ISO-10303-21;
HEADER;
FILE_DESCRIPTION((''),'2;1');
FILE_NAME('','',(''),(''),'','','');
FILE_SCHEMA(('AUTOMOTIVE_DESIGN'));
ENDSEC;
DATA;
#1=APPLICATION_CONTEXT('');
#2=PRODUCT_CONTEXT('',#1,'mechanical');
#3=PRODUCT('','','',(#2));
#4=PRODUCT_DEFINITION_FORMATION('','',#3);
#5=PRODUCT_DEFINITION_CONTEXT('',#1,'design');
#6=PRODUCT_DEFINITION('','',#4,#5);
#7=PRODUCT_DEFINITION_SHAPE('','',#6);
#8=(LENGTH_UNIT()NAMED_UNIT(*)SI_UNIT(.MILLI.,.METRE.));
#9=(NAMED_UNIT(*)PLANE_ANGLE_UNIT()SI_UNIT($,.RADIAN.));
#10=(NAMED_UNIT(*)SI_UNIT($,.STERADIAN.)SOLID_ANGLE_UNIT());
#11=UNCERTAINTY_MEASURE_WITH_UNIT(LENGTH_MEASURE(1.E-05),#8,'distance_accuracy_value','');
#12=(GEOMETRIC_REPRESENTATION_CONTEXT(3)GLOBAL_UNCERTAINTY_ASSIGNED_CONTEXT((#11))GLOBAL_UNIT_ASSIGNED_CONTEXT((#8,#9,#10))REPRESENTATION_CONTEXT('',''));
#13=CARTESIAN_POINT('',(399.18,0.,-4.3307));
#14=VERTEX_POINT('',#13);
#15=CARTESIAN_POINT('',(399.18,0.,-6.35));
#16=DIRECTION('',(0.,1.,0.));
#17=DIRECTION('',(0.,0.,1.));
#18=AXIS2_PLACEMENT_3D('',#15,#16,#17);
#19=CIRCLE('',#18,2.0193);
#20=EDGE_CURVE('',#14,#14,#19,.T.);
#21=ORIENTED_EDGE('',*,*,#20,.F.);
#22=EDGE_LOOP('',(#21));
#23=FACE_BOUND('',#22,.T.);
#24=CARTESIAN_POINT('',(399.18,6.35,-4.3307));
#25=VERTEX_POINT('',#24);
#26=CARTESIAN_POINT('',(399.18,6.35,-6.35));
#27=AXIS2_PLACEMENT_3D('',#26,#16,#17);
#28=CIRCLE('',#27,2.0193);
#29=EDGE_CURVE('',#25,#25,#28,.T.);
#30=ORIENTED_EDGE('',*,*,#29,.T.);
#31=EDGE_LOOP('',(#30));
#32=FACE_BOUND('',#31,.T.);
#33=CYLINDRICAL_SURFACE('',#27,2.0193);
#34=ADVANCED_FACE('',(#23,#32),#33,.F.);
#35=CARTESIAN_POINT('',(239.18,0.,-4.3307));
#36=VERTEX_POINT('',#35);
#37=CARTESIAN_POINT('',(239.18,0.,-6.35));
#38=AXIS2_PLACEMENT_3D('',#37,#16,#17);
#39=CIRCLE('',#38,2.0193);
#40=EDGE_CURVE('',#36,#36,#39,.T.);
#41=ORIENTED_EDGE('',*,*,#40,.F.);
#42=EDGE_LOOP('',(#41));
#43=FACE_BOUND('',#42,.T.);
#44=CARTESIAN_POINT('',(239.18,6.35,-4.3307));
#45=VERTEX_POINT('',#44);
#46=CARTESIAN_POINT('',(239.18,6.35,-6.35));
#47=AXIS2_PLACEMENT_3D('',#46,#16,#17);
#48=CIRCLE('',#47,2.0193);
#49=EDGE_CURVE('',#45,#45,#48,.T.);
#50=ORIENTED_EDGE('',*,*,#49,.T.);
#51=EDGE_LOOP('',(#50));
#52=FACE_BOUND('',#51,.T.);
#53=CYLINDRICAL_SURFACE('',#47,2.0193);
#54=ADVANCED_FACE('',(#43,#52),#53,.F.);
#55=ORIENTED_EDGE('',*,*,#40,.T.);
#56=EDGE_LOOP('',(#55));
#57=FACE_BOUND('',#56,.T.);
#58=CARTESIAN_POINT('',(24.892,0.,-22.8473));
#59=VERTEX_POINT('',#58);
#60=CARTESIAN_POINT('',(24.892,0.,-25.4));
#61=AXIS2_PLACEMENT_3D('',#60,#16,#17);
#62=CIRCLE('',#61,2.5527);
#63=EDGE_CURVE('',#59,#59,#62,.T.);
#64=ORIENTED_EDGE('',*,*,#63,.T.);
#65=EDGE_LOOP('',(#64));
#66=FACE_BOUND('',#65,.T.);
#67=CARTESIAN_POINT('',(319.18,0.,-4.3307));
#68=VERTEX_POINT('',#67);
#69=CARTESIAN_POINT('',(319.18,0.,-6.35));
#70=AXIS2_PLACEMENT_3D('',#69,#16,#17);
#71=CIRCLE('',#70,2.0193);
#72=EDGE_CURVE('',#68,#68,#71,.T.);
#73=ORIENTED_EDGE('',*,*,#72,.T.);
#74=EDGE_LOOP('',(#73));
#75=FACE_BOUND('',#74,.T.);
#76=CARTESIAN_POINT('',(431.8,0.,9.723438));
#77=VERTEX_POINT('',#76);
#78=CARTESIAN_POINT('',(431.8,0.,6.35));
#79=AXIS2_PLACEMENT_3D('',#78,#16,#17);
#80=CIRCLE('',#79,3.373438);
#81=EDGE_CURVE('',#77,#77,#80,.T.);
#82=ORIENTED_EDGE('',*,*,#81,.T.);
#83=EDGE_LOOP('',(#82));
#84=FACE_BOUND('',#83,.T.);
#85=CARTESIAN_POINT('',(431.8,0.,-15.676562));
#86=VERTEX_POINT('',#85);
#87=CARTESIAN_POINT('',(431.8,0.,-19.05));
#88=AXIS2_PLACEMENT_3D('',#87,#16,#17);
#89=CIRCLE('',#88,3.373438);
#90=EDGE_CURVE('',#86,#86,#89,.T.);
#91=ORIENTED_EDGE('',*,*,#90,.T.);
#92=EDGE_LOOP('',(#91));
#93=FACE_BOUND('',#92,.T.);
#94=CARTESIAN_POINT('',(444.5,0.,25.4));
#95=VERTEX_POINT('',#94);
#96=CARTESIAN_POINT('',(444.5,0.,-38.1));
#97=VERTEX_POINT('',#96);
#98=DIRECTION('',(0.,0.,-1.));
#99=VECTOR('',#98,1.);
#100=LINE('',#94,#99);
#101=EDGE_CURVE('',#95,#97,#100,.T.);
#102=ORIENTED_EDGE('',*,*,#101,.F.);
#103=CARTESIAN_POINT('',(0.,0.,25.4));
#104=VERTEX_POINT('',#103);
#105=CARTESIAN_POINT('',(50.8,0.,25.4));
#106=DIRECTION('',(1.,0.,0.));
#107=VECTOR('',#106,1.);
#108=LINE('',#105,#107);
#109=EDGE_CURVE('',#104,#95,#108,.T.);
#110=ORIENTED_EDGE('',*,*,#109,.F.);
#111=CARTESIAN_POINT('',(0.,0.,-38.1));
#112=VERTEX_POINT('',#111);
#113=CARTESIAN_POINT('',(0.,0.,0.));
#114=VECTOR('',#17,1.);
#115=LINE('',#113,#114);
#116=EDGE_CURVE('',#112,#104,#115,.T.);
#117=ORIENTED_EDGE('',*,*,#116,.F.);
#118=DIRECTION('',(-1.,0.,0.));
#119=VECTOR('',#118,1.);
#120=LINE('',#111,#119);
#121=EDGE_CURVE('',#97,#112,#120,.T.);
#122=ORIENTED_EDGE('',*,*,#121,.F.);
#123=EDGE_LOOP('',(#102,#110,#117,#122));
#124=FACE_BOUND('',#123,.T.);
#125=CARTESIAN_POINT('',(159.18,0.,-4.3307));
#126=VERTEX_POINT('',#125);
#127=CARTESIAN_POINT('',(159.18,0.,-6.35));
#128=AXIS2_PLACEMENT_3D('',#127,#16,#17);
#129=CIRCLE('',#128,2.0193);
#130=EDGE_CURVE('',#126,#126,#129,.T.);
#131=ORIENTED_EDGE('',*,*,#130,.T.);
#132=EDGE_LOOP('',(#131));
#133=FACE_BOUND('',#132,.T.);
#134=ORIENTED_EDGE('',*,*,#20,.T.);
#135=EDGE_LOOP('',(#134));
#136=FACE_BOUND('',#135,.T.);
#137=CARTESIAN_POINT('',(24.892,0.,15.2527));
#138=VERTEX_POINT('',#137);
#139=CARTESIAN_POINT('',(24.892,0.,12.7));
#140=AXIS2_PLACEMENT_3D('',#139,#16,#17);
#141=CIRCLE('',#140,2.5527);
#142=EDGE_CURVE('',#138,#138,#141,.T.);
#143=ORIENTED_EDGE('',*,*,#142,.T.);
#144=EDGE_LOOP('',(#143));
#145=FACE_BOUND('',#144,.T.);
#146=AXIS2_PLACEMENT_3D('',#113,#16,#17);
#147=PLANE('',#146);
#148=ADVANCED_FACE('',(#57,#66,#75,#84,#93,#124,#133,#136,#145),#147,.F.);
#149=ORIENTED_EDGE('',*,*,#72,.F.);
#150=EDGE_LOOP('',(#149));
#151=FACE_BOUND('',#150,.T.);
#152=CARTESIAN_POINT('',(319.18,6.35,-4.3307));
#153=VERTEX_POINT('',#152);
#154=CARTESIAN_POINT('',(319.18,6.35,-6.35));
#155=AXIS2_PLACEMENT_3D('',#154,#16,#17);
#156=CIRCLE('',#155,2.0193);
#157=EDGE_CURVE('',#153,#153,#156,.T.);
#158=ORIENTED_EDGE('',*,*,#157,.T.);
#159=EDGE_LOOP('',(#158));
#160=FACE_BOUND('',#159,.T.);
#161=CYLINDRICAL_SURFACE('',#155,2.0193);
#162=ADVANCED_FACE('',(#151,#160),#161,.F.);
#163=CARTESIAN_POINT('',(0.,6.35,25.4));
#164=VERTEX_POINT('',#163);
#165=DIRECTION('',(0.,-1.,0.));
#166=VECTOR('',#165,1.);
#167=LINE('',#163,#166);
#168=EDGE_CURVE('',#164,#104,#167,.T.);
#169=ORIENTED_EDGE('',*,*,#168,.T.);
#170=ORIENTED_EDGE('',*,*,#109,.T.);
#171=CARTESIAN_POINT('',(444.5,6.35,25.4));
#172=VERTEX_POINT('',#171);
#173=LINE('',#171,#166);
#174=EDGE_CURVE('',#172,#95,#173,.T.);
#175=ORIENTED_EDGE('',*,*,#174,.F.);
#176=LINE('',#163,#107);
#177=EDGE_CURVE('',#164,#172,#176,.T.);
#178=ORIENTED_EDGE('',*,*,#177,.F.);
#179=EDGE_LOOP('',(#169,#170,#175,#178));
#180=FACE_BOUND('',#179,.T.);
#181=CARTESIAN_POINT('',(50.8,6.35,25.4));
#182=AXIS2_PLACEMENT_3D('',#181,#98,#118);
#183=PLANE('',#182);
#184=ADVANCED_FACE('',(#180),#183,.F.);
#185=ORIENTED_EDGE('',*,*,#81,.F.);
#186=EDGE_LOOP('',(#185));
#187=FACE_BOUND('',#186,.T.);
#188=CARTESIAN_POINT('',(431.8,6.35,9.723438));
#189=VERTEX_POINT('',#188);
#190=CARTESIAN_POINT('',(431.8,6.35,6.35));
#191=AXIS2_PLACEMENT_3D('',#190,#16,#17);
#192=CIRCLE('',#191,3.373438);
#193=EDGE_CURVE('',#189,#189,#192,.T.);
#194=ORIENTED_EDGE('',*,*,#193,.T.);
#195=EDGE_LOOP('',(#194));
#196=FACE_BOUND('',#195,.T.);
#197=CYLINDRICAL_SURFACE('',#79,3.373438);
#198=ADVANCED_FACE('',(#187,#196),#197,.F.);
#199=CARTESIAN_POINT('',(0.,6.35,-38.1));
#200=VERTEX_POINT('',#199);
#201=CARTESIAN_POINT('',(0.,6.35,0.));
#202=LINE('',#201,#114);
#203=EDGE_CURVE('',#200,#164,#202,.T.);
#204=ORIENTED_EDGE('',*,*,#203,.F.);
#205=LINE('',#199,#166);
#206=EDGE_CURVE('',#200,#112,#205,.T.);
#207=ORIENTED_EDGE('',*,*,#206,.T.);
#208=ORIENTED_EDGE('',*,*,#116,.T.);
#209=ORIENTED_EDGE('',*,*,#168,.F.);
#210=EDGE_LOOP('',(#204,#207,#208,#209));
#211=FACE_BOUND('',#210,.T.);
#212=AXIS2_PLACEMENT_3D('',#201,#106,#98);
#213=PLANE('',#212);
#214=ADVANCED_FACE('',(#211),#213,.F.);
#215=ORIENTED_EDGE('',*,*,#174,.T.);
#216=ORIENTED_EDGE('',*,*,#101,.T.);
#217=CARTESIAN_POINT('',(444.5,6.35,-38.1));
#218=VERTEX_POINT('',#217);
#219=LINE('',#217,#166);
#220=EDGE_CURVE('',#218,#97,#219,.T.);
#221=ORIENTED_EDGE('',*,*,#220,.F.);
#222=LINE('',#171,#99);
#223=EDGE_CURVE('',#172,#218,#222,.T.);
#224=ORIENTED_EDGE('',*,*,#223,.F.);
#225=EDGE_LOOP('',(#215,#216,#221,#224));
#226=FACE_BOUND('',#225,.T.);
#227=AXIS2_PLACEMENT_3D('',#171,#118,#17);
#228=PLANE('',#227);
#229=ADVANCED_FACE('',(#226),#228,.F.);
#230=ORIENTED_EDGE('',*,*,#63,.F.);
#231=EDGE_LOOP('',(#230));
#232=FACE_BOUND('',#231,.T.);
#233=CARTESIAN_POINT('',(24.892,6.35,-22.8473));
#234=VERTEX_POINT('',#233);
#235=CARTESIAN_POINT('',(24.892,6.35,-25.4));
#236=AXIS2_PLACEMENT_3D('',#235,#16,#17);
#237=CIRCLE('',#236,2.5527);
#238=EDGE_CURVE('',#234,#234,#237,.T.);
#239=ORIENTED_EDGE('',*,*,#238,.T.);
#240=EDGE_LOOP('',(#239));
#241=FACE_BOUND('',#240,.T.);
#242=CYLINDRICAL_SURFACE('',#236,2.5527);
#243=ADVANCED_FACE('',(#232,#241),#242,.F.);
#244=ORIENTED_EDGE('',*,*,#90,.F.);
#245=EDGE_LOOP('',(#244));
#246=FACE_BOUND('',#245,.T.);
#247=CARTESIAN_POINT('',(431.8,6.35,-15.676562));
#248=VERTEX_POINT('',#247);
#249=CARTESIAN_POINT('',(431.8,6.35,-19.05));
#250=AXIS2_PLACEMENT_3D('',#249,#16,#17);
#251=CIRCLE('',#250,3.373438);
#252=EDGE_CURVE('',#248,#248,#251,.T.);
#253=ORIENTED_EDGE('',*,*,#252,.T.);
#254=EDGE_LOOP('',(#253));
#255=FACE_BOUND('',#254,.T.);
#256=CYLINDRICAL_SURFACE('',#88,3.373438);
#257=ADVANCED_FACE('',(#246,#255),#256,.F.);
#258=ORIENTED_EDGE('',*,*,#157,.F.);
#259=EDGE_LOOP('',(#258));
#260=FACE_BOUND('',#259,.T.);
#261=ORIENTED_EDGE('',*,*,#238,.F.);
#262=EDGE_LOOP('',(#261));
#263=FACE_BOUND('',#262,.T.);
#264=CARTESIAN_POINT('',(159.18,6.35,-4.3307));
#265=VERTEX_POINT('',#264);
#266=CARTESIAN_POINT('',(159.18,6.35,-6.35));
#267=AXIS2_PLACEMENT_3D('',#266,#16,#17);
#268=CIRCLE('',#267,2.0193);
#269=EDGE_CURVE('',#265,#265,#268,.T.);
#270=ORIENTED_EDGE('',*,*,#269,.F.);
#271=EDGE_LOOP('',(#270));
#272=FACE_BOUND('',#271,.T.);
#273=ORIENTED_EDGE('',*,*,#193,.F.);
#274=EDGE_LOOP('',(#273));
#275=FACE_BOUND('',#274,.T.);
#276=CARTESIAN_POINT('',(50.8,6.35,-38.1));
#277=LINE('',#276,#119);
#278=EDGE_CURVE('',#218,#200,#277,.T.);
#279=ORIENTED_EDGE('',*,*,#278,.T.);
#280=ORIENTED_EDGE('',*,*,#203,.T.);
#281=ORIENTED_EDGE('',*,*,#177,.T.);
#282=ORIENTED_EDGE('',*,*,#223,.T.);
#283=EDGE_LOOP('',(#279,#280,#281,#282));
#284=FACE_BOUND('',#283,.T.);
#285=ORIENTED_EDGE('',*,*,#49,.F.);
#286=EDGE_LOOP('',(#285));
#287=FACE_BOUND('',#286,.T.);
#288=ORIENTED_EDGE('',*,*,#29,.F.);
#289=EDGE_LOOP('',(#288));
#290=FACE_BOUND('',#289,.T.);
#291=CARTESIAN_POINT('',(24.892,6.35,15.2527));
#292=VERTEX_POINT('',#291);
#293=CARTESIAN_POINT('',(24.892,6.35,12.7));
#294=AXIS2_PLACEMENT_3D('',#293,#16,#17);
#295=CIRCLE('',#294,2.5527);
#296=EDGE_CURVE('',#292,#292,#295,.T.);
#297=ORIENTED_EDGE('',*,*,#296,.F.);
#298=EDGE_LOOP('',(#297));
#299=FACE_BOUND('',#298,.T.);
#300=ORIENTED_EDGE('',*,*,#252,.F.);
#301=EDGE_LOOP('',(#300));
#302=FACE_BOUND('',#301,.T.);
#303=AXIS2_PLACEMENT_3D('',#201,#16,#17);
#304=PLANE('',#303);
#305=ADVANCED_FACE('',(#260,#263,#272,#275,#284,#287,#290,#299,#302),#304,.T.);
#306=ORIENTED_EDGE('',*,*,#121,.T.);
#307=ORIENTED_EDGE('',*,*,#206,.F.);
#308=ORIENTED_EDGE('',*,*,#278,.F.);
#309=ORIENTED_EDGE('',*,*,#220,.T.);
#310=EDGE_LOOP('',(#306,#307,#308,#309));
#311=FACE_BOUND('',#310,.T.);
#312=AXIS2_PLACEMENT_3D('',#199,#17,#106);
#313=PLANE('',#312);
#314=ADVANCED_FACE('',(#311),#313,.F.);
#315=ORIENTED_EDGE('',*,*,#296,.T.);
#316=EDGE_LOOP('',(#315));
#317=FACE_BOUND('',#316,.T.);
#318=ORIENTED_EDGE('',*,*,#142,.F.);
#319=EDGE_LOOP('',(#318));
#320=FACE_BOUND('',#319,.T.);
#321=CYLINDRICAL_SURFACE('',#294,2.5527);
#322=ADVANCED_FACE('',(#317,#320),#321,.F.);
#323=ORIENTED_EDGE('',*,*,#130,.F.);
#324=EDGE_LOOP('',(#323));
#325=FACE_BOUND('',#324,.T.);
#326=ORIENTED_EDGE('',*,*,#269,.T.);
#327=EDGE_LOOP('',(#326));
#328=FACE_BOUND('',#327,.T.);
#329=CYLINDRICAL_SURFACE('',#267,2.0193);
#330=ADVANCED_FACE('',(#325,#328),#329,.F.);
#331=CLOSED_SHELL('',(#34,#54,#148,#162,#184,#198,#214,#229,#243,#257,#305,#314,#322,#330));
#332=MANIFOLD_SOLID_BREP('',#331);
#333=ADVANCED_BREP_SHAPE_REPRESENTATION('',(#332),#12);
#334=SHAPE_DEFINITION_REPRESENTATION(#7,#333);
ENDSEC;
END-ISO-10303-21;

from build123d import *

# Parameters (mm, degrees)
BOSS_EXTRUDE1_DEPTH     = 6.35
SKETCH2_R               = 3.3734375
CUT_EXTRUDE1_DEPTH      = 447.175058133
SKETCH3_R               = 1.27
CUT_EXTRUDE2_DEPTH      = 447.175058133
F_10_32_TAPPED_HOLE1_D  = 4.0386
F_1_4_20_TAPPED_HOLE1_D = 5.1054


with BuildPart() as part:
    # Sketch1 → Boss-Extrude1 (new body)
    with BuildSketch(Plane(origin=(0, 0, 0), x_dir=(1, 0, 0), z_dir=(0, 1, 0))):
        Polygon((50.8, -25.4), (444.5, -25.4), (444.5, 38.1), (50.8, 38.1), (0, 38.1), (0, 12.7), (0, 0), (0, -25.4), align=None)
    extrude(amount=BOSS_EXTRUDE1_DEPTH)

    # Sketch2 → Cut-Extrude1 (cut, through all)
    with BuildSketch(Plane(origin=(0, 6.35, 0), x_dir=(1, 0, 0), z_dir=(0, 1, 0))):
        with Locations(Location((431.8, -6.35, 0), (0, 0, 270))):
            Circle(SKETCH2_R)
        with Locations(Location((431.8, 19.05, 0), (0, 0, 270))):
            Circle(SKETCH2_R)
    extrude(amount=-CUT_EXTRUDE1_DEPTH, mode=Mode.SUBTRACT)

    # Sketch3 → Cut-Extrude2 (cut, through all)
    with BuildSketch(Plane(origin=(0, 6.35, 0), x_dir=(1, 0, 0), z_dir=(0, 1, 0))):
        with Locations(Location((24.892, 25.4, 0), (0, 0, 270))):
            Circle(SKETCH3_R)
        with Locations(Location((24.892, -12.7, 0), (0, 0, 270))):
            Circle(SKETCH3_R)
    extrude(amount=-CUT_EXTRUDE2_DEPTH, mode=Mode.SUBTRACT)

    # #10-32 Tapped Hole1 (through all)
    with Locations(Plane(origin=(0, 6.35, 0), x_dir=(-1, 0, 0), z_dir=(0, 1, 0))):
        with Locations((-159.18, -6.35), (-239.18, -6.35), (-399.18000004, -6.35), (-319.18, -6.35)):
            Hole(F_10_32_TAPPED_HOLE1_D / 2)

    # 1/4-20 Tapped Hole1 (through all)
    with Locations(Plane(origin=(0, 6.35, 0), x_dir=(1, 0, 0), z_dir=(0, 1, 0))):
        with Locations((24.892, -12.7), (24.892, 25.4)):
            Hole(F_1_4_20_TAPPED_HOLE1_D / 2)


solid = part.part
